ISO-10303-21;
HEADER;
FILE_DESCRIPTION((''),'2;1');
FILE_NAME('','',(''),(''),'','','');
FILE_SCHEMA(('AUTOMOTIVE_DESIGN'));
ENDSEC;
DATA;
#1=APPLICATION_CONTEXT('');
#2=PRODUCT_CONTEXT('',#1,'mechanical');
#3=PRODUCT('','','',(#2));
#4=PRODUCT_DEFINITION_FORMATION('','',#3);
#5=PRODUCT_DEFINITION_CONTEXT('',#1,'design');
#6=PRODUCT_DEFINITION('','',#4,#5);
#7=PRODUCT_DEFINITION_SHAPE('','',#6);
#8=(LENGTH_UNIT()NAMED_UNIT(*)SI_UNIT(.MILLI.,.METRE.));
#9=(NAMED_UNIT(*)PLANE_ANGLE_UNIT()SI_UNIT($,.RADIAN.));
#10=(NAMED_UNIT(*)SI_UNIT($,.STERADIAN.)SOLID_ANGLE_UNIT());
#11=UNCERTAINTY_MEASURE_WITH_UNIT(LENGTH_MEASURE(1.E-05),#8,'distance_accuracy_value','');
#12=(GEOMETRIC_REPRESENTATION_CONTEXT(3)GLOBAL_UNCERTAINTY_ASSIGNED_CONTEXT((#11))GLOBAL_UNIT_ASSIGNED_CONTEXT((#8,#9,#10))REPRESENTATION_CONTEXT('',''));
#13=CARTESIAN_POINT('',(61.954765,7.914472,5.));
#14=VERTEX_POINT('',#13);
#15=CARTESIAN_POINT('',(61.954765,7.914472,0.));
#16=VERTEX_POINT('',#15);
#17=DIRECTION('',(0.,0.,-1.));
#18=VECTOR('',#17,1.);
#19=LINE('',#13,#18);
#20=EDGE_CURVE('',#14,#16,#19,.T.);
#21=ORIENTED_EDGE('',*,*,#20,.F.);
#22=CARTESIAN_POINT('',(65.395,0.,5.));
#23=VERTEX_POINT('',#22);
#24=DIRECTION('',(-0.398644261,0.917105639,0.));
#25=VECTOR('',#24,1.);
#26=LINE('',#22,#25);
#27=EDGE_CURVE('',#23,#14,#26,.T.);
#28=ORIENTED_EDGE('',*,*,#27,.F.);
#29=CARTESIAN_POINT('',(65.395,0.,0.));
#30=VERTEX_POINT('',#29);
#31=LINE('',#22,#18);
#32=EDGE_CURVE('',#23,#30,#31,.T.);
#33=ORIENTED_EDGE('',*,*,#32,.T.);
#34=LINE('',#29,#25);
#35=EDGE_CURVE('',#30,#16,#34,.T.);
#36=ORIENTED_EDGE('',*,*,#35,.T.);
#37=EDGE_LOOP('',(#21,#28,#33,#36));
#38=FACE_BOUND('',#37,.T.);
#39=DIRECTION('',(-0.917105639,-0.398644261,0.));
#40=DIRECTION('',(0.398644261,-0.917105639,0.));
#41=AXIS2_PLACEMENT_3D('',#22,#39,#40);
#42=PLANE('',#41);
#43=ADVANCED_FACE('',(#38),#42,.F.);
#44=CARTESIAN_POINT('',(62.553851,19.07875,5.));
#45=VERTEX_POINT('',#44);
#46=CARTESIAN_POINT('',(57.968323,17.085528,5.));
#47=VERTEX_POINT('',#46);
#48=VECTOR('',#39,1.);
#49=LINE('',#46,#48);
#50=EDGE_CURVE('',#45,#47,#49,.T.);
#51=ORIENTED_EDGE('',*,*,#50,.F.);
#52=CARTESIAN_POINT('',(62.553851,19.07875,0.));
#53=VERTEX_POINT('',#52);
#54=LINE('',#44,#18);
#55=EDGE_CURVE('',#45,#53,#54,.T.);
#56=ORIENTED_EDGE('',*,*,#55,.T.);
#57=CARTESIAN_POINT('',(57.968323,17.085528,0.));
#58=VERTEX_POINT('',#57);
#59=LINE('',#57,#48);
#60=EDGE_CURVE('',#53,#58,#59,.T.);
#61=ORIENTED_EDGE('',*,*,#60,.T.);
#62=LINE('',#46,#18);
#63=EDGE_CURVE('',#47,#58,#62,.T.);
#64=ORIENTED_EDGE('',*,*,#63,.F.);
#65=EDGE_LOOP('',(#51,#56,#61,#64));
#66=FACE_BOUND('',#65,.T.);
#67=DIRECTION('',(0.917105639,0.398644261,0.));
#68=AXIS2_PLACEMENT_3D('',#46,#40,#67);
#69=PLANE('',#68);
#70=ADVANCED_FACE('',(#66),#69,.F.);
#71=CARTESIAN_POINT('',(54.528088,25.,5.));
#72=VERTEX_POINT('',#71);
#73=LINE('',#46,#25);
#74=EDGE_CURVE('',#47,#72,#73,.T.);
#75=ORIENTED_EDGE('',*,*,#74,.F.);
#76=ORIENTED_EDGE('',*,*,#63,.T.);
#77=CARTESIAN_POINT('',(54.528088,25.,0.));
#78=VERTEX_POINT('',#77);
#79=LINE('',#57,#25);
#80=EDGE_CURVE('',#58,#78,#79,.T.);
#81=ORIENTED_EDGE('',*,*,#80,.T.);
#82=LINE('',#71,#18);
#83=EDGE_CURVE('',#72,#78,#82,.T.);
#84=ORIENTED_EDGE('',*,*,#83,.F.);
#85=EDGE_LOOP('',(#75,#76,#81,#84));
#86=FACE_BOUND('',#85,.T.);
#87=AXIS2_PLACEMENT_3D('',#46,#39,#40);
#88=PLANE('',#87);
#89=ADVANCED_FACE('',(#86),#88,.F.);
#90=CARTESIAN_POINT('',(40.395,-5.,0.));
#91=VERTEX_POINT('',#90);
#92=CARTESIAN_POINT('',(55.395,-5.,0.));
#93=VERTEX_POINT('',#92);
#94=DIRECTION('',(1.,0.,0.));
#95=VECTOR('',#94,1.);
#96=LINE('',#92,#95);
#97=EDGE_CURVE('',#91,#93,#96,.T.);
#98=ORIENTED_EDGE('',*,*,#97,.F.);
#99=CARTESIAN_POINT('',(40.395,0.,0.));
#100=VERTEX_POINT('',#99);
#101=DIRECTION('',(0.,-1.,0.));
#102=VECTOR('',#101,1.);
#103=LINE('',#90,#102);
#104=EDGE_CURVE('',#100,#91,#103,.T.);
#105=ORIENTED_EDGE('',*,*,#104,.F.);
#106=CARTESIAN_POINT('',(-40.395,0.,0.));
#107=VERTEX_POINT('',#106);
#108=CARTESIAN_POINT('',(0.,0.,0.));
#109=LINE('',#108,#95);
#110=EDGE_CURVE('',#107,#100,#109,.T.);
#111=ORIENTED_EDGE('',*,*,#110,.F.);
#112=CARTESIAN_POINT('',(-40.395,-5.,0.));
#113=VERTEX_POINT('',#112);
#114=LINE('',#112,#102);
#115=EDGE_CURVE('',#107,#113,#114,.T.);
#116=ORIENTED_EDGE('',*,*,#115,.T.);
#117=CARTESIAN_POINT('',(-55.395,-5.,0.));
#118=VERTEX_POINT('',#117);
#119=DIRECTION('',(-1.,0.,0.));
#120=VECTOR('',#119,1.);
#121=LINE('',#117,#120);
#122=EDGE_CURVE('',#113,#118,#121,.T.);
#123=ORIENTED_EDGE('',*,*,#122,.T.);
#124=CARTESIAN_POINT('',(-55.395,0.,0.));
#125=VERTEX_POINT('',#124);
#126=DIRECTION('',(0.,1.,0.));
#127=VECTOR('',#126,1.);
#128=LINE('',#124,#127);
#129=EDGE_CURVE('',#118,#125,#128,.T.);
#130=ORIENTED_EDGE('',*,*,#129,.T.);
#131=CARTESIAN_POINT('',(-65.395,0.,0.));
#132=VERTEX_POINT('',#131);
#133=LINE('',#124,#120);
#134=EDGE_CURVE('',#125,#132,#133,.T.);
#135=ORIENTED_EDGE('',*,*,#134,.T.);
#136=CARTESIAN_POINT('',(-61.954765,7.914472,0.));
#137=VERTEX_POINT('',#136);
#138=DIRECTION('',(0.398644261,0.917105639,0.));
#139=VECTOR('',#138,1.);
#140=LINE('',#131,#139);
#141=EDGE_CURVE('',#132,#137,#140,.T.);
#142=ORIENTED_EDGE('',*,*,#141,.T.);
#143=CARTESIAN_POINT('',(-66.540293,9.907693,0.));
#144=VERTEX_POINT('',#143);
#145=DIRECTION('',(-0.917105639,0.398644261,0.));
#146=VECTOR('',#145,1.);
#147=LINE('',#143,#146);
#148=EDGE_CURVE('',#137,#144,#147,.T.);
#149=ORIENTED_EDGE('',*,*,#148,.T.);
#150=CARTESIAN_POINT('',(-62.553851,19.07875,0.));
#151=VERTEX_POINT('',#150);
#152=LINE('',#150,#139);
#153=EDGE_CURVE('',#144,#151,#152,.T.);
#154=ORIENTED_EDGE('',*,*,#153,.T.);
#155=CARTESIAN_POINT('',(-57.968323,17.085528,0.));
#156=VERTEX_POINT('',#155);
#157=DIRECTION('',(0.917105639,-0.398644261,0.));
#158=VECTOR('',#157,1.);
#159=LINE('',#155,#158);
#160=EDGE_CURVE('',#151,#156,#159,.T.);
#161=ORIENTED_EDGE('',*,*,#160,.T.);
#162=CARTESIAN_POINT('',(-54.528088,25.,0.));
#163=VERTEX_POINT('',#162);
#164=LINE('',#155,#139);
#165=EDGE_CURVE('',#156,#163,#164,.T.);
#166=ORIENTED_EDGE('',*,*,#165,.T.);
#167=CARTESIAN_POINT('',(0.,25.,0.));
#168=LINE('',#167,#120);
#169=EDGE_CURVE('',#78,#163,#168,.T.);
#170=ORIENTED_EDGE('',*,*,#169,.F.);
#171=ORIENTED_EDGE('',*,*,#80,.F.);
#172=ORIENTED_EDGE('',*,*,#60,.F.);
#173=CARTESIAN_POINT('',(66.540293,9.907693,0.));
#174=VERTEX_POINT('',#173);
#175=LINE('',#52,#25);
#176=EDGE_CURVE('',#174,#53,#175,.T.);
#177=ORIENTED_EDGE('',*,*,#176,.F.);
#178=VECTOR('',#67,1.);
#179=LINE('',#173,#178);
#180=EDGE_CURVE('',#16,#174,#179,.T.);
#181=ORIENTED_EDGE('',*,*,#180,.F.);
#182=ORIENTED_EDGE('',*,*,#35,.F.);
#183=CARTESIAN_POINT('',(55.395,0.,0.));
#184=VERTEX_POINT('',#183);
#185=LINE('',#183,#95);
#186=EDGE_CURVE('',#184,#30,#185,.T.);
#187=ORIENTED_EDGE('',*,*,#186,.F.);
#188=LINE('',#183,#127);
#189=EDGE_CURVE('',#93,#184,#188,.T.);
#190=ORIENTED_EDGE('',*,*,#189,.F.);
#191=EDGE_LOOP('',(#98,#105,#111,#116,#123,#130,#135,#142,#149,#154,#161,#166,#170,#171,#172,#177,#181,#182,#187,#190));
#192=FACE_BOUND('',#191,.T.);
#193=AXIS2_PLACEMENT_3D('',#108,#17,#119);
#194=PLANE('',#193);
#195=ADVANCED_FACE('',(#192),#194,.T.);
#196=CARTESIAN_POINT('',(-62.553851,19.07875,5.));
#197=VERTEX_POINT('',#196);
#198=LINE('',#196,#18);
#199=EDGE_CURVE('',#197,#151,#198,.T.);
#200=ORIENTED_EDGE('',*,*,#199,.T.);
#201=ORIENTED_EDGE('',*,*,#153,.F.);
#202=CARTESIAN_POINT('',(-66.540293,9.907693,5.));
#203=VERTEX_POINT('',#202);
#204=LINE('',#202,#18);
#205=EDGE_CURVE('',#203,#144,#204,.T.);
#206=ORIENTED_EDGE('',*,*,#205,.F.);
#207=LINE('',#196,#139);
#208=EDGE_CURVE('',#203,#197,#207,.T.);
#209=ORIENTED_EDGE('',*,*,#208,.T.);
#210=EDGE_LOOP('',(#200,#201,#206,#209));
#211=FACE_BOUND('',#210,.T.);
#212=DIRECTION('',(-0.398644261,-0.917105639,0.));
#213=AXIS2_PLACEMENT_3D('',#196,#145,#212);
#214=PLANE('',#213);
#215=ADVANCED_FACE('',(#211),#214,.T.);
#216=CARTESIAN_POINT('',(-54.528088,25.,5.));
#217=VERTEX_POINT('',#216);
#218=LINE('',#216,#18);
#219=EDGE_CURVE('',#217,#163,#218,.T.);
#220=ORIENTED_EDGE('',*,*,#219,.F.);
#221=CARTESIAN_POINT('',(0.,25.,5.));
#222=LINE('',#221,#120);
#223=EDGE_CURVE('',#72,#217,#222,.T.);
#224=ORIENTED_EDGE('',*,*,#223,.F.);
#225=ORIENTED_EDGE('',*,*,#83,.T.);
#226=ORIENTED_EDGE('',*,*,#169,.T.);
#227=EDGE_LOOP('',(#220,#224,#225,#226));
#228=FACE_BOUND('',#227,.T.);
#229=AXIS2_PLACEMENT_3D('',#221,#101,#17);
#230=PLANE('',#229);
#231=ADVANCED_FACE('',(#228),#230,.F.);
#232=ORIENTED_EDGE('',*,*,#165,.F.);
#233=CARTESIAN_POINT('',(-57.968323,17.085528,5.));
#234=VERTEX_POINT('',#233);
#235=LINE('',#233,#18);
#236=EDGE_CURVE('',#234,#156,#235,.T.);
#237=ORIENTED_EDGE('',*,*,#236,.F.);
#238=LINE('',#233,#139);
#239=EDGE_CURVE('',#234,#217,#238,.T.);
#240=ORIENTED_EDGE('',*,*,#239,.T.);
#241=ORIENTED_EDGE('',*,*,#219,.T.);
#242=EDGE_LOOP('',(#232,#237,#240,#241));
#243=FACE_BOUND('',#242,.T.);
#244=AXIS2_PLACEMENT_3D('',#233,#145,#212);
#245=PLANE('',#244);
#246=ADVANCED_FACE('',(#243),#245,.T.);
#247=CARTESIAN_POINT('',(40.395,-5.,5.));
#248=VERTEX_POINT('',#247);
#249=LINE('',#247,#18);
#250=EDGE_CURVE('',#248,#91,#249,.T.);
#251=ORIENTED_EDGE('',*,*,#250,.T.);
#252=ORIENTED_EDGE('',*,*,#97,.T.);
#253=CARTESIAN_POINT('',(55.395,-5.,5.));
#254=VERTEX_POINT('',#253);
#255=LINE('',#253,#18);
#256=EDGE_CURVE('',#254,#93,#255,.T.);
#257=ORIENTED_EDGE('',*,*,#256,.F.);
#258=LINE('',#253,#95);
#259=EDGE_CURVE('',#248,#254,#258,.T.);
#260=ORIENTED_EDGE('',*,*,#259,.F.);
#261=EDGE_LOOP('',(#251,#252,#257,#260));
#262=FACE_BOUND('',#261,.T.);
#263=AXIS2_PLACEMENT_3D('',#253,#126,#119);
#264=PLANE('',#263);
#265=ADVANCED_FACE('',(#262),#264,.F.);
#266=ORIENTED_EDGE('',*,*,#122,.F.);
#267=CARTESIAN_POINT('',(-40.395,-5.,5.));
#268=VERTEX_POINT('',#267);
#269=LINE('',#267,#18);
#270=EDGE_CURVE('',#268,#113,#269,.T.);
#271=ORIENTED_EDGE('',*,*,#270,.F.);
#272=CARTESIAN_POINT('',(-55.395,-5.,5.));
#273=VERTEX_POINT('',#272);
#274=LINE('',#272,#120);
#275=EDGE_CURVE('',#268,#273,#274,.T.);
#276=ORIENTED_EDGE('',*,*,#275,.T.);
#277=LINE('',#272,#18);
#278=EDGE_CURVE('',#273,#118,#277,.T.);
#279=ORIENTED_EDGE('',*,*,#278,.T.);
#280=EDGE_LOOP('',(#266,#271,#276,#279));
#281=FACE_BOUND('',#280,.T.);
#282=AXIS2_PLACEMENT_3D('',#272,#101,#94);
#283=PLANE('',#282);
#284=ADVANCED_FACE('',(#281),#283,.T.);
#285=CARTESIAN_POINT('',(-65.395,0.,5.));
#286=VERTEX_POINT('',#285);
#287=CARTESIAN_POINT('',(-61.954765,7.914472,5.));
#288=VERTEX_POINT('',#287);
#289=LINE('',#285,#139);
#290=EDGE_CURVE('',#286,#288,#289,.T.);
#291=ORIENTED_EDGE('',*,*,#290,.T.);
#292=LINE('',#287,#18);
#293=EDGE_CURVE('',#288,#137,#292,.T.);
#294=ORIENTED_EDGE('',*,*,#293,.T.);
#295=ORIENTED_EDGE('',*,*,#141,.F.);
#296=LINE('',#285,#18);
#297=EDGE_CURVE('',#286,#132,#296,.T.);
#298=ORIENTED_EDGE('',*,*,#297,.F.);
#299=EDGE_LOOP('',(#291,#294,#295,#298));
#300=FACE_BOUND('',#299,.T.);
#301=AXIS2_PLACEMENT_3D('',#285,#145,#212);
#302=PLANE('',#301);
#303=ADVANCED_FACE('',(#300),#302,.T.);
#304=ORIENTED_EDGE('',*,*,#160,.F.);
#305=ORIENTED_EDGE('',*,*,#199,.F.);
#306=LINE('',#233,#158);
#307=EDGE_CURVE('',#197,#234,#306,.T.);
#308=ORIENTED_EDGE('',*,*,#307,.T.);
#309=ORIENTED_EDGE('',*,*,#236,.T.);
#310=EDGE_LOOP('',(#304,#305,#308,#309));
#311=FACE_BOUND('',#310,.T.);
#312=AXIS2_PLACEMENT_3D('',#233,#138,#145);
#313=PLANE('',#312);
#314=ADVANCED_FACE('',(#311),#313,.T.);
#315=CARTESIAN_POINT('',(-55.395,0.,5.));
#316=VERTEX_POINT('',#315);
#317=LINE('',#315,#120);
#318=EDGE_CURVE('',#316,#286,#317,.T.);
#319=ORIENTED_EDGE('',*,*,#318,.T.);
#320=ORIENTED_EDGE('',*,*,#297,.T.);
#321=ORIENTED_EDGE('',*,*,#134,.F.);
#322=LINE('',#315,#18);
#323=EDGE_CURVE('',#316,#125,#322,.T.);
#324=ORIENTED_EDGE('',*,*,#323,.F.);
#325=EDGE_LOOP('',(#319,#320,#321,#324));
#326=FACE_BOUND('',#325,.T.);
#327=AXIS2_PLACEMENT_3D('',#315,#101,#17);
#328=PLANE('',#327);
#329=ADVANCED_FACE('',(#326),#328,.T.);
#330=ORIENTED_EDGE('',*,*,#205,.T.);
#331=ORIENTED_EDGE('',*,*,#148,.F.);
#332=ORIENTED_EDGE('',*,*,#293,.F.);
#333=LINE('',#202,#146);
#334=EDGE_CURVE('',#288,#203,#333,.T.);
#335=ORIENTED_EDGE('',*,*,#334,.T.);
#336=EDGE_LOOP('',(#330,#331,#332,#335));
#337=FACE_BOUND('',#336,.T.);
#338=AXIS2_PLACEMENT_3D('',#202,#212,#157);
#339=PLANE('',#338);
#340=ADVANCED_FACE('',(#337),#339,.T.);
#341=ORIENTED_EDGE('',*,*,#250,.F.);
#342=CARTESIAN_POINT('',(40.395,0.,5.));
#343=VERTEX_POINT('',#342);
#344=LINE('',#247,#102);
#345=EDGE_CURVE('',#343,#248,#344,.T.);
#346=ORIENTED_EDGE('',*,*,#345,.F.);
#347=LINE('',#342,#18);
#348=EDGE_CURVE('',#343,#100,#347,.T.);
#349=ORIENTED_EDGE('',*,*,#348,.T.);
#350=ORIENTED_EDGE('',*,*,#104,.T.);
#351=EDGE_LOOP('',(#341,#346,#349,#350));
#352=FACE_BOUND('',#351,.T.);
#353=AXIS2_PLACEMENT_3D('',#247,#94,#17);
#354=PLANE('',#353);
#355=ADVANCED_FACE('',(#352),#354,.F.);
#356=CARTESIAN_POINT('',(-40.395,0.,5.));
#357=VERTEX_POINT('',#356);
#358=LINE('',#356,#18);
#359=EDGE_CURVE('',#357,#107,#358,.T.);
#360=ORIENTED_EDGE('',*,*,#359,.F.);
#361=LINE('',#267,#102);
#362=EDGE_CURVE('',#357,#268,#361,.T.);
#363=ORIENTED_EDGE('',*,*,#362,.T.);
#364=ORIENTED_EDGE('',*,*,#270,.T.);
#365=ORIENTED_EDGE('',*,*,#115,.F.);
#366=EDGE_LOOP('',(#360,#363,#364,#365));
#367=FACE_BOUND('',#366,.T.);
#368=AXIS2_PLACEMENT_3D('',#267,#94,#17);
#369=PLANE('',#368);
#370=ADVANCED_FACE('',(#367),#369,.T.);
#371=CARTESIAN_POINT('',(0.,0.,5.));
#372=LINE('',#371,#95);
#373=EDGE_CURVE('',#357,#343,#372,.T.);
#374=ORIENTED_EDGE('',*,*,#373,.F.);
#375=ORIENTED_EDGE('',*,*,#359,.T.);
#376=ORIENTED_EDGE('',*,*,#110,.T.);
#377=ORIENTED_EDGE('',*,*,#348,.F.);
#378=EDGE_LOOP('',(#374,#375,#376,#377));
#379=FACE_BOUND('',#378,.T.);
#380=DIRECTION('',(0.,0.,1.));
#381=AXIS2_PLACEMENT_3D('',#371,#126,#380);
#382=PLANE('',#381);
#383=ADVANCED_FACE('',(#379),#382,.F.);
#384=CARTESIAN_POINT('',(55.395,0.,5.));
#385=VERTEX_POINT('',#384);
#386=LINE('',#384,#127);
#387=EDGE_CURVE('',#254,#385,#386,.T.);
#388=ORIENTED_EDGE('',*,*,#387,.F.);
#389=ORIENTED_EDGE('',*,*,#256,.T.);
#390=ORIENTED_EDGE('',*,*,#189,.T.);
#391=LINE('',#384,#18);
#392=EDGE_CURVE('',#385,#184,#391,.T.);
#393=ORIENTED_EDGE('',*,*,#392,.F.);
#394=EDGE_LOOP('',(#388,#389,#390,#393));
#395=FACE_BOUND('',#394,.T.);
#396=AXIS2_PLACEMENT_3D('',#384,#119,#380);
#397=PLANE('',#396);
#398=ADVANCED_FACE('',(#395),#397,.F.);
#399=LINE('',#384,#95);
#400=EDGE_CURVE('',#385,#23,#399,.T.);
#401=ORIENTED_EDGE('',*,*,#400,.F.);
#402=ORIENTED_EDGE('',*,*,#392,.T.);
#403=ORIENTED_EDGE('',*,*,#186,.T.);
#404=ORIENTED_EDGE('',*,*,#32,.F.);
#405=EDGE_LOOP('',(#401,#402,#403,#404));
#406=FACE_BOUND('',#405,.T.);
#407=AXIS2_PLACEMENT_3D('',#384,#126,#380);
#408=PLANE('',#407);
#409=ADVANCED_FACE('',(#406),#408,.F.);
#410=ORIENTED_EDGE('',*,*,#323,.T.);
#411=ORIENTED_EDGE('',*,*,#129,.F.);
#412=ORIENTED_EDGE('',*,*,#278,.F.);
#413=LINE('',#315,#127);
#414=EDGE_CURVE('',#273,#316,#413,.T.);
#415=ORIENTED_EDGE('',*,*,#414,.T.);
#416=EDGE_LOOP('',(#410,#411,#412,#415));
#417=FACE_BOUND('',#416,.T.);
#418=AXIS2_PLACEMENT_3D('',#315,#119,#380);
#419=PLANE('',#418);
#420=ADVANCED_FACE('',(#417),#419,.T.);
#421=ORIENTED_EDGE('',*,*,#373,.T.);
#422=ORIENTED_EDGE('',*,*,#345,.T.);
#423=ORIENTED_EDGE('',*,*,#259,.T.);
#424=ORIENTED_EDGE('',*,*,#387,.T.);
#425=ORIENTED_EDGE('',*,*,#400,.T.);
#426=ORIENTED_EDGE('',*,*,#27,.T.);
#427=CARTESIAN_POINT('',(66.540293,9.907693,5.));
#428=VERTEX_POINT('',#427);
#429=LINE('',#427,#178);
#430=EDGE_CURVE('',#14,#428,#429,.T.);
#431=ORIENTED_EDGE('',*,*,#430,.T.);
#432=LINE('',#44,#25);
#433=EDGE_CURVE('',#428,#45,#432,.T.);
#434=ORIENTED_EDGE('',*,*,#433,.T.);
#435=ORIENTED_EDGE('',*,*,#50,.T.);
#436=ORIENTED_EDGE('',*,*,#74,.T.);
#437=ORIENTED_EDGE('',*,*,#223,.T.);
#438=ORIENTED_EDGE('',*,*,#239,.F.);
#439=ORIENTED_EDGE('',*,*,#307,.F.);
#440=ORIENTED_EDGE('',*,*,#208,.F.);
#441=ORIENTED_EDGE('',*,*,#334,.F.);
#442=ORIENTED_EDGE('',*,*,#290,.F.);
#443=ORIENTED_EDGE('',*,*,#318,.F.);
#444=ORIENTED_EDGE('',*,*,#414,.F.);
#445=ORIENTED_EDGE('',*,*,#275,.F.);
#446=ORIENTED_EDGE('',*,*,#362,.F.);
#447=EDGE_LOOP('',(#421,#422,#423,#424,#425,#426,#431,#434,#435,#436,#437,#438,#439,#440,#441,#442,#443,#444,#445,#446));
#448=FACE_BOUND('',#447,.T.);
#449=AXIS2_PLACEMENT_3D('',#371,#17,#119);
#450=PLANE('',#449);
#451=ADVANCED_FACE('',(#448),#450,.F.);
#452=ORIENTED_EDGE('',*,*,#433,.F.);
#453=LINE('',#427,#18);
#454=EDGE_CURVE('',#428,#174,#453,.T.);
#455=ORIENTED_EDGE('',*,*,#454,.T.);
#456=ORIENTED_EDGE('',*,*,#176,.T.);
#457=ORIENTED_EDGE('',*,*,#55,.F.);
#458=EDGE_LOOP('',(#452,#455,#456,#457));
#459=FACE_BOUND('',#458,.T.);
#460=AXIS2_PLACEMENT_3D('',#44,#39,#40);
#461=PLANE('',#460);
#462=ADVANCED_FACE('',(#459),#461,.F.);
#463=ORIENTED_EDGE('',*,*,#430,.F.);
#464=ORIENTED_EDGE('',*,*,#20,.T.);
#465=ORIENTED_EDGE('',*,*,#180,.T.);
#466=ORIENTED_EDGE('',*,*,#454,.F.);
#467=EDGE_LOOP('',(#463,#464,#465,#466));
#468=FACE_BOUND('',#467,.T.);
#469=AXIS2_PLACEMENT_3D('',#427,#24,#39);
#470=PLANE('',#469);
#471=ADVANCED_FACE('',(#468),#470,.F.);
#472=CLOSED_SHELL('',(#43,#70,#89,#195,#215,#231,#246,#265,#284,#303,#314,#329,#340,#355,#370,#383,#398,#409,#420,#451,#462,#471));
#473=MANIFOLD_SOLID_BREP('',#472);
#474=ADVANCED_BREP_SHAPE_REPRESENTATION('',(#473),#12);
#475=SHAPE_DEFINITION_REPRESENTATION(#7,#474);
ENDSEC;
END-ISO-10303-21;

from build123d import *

# Parameters (mm, degrees)
BOSS_EXTRUDE1_DEPTH = 5


with BuildPart() as part:
    # Sketch1 → Boss-Extrude1 (new body)
    with BuildSketch(Plane.XY):
        Polygon((0, 0), (40.395, 0), (40.395, -5), (55.395, -5), (55.395, 0), (65.395, 0), (61.954765166, 7.914471805), (66.540293361, 9.907693111), (62.55385075, 19.078749501), (57.968322555, 17.085528195), (54.528087721, 25), (0, 25), align=None)
    boss_extrude1 = extrude(amount=BOSS_EXTRUDE1_DEPTH)

    # Mirror1: Boss-Extrude1 across plane
    add(boss_extrude1.mirror(Plane(origin=(0, 0, 5), x_dir=(0, 0, 1), z_dir=(1, 0, 0))))


solid = part.part
